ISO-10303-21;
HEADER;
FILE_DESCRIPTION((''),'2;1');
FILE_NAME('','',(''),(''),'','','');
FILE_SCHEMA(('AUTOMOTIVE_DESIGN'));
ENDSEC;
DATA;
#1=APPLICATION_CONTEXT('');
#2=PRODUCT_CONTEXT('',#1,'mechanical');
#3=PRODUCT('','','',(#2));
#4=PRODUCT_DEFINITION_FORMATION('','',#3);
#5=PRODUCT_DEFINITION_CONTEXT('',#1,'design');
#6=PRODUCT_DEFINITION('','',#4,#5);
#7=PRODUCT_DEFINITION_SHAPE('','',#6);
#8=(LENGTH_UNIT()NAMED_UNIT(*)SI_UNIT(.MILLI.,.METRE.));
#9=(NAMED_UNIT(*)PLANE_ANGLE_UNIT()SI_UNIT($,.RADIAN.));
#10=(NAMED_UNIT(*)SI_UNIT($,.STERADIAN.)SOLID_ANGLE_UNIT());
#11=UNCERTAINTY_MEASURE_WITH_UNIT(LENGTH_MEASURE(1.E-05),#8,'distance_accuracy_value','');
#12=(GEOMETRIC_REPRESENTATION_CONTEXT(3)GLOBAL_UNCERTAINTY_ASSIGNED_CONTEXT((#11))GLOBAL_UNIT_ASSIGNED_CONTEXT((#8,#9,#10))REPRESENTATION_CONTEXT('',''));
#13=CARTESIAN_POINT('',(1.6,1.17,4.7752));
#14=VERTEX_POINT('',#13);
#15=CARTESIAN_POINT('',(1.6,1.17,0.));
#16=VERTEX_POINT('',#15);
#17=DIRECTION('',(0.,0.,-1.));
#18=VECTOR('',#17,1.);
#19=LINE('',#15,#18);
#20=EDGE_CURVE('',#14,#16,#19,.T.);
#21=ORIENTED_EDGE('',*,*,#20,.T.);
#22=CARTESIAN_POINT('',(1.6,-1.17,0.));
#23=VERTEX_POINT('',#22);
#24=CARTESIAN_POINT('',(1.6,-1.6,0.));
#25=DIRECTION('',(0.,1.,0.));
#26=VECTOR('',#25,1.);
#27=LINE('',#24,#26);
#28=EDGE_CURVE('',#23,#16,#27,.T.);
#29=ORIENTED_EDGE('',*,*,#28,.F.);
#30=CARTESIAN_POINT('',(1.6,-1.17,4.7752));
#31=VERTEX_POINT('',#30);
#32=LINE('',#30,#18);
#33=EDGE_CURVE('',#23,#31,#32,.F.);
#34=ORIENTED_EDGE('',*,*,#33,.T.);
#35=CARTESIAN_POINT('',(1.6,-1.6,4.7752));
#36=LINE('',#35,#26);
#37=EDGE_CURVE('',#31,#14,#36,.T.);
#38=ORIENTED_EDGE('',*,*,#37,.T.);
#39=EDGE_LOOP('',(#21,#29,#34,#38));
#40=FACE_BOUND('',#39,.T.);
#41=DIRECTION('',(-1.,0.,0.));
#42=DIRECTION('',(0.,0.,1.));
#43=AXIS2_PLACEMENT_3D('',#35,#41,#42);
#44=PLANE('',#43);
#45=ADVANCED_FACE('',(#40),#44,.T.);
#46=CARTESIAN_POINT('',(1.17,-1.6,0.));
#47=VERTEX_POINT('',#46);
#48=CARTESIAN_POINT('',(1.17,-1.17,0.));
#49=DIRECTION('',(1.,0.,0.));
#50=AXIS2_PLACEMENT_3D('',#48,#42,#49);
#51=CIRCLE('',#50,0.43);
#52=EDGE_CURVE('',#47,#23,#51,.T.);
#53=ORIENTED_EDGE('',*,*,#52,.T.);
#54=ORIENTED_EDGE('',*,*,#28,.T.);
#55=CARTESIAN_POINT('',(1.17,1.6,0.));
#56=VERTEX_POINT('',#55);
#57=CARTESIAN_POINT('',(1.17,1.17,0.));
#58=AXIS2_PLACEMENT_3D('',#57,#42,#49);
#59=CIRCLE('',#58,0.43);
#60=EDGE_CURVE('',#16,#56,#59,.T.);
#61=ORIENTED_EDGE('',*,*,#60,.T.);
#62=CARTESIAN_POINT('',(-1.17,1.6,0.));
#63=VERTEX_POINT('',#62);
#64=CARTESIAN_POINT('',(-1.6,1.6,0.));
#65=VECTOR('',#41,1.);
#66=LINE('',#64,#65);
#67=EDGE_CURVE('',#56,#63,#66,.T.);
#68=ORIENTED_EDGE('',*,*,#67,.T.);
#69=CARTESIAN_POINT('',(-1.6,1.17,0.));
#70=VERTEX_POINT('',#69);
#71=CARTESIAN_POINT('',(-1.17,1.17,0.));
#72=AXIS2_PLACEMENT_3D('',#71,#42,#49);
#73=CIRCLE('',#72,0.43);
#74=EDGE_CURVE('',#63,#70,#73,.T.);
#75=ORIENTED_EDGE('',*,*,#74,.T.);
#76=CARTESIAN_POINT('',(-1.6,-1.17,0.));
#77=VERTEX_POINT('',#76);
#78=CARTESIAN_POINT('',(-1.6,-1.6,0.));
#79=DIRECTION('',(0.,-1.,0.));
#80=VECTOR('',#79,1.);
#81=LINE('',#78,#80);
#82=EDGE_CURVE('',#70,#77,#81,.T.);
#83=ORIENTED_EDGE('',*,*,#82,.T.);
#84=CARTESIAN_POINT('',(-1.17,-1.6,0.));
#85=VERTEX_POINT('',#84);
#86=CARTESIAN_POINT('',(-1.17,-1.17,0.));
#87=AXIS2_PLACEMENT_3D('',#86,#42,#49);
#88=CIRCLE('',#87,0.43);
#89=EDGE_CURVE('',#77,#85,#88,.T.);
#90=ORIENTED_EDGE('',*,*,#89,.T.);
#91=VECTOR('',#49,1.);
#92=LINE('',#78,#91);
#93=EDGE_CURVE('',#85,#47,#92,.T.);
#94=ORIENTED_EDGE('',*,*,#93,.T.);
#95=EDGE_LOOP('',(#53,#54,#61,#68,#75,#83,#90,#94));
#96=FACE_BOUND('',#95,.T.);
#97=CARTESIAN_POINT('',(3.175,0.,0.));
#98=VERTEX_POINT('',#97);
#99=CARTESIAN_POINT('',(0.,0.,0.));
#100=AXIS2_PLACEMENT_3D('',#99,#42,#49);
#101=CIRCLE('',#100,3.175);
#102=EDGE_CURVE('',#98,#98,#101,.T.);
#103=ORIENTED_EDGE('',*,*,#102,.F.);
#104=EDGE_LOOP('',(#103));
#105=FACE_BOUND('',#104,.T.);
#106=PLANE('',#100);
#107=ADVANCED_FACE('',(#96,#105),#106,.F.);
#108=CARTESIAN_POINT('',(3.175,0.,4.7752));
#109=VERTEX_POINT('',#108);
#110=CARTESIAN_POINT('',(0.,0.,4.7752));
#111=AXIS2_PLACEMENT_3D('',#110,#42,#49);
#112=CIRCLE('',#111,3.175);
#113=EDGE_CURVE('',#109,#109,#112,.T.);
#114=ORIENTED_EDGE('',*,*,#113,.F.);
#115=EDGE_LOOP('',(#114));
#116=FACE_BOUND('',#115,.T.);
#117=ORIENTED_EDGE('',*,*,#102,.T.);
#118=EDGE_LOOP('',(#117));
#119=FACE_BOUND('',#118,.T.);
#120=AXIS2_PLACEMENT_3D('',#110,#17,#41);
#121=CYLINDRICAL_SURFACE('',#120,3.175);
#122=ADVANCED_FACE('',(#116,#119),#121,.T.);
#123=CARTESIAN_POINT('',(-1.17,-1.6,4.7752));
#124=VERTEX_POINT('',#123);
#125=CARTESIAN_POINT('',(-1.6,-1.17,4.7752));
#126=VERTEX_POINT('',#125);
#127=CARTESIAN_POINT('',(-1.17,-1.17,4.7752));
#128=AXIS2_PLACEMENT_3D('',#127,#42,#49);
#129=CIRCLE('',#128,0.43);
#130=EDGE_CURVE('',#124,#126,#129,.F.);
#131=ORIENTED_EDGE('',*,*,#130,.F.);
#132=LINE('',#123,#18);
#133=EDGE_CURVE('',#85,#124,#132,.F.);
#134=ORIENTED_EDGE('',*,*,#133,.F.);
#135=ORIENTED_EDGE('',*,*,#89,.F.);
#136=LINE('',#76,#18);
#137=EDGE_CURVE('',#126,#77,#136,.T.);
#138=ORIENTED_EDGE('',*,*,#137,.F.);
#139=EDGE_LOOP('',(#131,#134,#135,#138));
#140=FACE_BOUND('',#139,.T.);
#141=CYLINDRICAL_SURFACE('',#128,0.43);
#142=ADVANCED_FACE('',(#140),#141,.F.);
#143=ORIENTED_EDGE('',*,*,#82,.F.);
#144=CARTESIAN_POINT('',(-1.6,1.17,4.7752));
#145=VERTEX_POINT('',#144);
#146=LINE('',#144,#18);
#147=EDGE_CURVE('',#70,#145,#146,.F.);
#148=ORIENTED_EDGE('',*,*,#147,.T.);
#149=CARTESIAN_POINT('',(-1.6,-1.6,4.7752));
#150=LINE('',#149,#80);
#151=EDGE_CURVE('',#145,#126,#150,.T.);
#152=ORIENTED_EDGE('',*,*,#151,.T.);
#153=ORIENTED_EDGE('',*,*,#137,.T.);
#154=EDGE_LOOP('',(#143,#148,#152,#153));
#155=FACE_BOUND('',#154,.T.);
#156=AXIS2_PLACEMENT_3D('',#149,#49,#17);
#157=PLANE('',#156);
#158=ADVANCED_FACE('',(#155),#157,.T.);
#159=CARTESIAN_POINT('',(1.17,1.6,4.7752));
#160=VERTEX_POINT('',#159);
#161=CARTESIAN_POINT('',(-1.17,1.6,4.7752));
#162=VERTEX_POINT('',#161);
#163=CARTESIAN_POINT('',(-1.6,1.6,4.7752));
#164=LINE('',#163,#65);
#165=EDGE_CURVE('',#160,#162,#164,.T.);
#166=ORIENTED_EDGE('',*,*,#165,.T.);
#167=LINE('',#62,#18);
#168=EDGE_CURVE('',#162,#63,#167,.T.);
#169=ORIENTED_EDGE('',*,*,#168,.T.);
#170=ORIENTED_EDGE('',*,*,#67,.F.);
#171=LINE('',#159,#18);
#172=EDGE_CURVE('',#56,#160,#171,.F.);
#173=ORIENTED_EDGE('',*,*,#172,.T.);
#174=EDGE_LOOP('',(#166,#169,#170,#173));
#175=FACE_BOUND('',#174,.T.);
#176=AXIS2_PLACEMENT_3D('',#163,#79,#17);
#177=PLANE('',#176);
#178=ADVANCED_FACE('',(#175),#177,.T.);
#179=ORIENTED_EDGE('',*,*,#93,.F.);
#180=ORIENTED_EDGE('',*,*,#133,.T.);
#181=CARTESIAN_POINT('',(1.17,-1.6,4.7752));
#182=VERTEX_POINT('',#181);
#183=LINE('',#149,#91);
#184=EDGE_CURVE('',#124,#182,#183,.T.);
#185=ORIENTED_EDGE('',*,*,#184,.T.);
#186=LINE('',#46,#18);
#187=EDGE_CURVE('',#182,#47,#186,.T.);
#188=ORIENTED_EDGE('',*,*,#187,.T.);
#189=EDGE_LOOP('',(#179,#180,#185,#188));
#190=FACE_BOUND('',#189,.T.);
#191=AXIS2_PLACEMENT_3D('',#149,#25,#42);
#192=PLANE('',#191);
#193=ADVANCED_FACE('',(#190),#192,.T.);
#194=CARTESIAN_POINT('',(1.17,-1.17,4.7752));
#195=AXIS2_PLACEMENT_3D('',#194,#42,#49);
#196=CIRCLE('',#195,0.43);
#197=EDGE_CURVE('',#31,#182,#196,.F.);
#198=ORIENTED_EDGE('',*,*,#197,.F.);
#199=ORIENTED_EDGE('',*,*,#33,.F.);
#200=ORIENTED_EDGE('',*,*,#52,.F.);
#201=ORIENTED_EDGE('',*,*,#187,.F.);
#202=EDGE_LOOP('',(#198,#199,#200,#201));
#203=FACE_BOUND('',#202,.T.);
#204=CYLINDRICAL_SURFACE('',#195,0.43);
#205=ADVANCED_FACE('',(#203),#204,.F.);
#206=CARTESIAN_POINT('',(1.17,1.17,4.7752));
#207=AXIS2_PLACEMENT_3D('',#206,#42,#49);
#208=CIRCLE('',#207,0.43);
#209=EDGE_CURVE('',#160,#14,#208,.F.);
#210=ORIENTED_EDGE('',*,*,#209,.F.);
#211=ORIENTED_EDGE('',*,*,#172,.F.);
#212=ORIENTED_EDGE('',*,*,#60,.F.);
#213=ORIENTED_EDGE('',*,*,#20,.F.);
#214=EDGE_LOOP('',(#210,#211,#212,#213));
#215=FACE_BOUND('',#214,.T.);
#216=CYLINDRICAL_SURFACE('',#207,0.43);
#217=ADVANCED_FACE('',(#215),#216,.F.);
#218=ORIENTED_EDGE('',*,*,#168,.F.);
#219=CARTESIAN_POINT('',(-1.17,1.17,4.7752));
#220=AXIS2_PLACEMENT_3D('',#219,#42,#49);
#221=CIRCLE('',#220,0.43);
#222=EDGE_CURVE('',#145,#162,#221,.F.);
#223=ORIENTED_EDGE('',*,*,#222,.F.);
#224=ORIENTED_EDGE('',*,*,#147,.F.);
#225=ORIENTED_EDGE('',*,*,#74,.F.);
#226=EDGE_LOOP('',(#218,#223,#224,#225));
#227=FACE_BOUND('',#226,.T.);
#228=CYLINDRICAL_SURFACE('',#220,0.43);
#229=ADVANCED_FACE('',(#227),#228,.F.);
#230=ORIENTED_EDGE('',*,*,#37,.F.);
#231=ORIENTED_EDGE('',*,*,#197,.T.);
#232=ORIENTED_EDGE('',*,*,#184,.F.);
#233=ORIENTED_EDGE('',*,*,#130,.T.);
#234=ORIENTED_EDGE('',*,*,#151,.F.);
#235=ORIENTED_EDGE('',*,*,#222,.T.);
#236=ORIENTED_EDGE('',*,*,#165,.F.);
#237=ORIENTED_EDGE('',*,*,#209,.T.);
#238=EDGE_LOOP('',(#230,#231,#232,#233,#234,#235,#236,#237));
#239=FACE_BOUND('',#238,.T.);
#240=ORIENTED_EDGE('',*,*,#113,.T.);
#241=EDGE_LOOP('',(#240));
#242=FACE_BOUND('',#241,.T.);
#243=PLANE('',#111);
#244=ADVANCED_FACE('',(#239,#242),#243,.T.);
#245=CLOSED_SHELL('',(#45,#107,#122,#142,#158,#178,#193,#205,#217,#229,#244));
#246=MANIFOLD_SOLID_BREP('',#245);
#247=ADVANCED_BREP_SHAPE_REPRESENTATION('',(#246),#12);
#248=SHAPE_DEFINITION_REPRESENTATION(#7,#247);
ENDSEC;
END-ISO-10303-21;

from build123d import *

# Parameters (mm, degrees)
SKETCH1_R           = 3.175
SKETCH1_W           = 3.2
SKETCH1_H           = 3.2
BOSS_EXTRUDE1_DEPTH = 4.7752
FILLET1_R           = 0.43


with BuildPart() as part:
    # Sketch1 → Boss-Extrude1 (new body)
    with BuildSketch(Plane.XY):
        Circle(SKETCH1_R)
        Rectangle(SKETCH1_W, SKETCH1_H, mode=Mode.SUBTRACT)
    extrude(amount=BOSS_EXTRUDE1_DEPTH)

    # Fillet1
    fillet1_edges = [part.edges().sort_by_distance(p)[0] for p in [
        (1.6, -1.6, 2.3876),
        (1.6, 1.6, 2.3876),
        (-1.6, 1.6, 2.3876),
        (-1.6, -1.6, 2.3876),
    ]]
    fillet(fillet1_edges, radius=FILLET1_R)


solid = part.part
